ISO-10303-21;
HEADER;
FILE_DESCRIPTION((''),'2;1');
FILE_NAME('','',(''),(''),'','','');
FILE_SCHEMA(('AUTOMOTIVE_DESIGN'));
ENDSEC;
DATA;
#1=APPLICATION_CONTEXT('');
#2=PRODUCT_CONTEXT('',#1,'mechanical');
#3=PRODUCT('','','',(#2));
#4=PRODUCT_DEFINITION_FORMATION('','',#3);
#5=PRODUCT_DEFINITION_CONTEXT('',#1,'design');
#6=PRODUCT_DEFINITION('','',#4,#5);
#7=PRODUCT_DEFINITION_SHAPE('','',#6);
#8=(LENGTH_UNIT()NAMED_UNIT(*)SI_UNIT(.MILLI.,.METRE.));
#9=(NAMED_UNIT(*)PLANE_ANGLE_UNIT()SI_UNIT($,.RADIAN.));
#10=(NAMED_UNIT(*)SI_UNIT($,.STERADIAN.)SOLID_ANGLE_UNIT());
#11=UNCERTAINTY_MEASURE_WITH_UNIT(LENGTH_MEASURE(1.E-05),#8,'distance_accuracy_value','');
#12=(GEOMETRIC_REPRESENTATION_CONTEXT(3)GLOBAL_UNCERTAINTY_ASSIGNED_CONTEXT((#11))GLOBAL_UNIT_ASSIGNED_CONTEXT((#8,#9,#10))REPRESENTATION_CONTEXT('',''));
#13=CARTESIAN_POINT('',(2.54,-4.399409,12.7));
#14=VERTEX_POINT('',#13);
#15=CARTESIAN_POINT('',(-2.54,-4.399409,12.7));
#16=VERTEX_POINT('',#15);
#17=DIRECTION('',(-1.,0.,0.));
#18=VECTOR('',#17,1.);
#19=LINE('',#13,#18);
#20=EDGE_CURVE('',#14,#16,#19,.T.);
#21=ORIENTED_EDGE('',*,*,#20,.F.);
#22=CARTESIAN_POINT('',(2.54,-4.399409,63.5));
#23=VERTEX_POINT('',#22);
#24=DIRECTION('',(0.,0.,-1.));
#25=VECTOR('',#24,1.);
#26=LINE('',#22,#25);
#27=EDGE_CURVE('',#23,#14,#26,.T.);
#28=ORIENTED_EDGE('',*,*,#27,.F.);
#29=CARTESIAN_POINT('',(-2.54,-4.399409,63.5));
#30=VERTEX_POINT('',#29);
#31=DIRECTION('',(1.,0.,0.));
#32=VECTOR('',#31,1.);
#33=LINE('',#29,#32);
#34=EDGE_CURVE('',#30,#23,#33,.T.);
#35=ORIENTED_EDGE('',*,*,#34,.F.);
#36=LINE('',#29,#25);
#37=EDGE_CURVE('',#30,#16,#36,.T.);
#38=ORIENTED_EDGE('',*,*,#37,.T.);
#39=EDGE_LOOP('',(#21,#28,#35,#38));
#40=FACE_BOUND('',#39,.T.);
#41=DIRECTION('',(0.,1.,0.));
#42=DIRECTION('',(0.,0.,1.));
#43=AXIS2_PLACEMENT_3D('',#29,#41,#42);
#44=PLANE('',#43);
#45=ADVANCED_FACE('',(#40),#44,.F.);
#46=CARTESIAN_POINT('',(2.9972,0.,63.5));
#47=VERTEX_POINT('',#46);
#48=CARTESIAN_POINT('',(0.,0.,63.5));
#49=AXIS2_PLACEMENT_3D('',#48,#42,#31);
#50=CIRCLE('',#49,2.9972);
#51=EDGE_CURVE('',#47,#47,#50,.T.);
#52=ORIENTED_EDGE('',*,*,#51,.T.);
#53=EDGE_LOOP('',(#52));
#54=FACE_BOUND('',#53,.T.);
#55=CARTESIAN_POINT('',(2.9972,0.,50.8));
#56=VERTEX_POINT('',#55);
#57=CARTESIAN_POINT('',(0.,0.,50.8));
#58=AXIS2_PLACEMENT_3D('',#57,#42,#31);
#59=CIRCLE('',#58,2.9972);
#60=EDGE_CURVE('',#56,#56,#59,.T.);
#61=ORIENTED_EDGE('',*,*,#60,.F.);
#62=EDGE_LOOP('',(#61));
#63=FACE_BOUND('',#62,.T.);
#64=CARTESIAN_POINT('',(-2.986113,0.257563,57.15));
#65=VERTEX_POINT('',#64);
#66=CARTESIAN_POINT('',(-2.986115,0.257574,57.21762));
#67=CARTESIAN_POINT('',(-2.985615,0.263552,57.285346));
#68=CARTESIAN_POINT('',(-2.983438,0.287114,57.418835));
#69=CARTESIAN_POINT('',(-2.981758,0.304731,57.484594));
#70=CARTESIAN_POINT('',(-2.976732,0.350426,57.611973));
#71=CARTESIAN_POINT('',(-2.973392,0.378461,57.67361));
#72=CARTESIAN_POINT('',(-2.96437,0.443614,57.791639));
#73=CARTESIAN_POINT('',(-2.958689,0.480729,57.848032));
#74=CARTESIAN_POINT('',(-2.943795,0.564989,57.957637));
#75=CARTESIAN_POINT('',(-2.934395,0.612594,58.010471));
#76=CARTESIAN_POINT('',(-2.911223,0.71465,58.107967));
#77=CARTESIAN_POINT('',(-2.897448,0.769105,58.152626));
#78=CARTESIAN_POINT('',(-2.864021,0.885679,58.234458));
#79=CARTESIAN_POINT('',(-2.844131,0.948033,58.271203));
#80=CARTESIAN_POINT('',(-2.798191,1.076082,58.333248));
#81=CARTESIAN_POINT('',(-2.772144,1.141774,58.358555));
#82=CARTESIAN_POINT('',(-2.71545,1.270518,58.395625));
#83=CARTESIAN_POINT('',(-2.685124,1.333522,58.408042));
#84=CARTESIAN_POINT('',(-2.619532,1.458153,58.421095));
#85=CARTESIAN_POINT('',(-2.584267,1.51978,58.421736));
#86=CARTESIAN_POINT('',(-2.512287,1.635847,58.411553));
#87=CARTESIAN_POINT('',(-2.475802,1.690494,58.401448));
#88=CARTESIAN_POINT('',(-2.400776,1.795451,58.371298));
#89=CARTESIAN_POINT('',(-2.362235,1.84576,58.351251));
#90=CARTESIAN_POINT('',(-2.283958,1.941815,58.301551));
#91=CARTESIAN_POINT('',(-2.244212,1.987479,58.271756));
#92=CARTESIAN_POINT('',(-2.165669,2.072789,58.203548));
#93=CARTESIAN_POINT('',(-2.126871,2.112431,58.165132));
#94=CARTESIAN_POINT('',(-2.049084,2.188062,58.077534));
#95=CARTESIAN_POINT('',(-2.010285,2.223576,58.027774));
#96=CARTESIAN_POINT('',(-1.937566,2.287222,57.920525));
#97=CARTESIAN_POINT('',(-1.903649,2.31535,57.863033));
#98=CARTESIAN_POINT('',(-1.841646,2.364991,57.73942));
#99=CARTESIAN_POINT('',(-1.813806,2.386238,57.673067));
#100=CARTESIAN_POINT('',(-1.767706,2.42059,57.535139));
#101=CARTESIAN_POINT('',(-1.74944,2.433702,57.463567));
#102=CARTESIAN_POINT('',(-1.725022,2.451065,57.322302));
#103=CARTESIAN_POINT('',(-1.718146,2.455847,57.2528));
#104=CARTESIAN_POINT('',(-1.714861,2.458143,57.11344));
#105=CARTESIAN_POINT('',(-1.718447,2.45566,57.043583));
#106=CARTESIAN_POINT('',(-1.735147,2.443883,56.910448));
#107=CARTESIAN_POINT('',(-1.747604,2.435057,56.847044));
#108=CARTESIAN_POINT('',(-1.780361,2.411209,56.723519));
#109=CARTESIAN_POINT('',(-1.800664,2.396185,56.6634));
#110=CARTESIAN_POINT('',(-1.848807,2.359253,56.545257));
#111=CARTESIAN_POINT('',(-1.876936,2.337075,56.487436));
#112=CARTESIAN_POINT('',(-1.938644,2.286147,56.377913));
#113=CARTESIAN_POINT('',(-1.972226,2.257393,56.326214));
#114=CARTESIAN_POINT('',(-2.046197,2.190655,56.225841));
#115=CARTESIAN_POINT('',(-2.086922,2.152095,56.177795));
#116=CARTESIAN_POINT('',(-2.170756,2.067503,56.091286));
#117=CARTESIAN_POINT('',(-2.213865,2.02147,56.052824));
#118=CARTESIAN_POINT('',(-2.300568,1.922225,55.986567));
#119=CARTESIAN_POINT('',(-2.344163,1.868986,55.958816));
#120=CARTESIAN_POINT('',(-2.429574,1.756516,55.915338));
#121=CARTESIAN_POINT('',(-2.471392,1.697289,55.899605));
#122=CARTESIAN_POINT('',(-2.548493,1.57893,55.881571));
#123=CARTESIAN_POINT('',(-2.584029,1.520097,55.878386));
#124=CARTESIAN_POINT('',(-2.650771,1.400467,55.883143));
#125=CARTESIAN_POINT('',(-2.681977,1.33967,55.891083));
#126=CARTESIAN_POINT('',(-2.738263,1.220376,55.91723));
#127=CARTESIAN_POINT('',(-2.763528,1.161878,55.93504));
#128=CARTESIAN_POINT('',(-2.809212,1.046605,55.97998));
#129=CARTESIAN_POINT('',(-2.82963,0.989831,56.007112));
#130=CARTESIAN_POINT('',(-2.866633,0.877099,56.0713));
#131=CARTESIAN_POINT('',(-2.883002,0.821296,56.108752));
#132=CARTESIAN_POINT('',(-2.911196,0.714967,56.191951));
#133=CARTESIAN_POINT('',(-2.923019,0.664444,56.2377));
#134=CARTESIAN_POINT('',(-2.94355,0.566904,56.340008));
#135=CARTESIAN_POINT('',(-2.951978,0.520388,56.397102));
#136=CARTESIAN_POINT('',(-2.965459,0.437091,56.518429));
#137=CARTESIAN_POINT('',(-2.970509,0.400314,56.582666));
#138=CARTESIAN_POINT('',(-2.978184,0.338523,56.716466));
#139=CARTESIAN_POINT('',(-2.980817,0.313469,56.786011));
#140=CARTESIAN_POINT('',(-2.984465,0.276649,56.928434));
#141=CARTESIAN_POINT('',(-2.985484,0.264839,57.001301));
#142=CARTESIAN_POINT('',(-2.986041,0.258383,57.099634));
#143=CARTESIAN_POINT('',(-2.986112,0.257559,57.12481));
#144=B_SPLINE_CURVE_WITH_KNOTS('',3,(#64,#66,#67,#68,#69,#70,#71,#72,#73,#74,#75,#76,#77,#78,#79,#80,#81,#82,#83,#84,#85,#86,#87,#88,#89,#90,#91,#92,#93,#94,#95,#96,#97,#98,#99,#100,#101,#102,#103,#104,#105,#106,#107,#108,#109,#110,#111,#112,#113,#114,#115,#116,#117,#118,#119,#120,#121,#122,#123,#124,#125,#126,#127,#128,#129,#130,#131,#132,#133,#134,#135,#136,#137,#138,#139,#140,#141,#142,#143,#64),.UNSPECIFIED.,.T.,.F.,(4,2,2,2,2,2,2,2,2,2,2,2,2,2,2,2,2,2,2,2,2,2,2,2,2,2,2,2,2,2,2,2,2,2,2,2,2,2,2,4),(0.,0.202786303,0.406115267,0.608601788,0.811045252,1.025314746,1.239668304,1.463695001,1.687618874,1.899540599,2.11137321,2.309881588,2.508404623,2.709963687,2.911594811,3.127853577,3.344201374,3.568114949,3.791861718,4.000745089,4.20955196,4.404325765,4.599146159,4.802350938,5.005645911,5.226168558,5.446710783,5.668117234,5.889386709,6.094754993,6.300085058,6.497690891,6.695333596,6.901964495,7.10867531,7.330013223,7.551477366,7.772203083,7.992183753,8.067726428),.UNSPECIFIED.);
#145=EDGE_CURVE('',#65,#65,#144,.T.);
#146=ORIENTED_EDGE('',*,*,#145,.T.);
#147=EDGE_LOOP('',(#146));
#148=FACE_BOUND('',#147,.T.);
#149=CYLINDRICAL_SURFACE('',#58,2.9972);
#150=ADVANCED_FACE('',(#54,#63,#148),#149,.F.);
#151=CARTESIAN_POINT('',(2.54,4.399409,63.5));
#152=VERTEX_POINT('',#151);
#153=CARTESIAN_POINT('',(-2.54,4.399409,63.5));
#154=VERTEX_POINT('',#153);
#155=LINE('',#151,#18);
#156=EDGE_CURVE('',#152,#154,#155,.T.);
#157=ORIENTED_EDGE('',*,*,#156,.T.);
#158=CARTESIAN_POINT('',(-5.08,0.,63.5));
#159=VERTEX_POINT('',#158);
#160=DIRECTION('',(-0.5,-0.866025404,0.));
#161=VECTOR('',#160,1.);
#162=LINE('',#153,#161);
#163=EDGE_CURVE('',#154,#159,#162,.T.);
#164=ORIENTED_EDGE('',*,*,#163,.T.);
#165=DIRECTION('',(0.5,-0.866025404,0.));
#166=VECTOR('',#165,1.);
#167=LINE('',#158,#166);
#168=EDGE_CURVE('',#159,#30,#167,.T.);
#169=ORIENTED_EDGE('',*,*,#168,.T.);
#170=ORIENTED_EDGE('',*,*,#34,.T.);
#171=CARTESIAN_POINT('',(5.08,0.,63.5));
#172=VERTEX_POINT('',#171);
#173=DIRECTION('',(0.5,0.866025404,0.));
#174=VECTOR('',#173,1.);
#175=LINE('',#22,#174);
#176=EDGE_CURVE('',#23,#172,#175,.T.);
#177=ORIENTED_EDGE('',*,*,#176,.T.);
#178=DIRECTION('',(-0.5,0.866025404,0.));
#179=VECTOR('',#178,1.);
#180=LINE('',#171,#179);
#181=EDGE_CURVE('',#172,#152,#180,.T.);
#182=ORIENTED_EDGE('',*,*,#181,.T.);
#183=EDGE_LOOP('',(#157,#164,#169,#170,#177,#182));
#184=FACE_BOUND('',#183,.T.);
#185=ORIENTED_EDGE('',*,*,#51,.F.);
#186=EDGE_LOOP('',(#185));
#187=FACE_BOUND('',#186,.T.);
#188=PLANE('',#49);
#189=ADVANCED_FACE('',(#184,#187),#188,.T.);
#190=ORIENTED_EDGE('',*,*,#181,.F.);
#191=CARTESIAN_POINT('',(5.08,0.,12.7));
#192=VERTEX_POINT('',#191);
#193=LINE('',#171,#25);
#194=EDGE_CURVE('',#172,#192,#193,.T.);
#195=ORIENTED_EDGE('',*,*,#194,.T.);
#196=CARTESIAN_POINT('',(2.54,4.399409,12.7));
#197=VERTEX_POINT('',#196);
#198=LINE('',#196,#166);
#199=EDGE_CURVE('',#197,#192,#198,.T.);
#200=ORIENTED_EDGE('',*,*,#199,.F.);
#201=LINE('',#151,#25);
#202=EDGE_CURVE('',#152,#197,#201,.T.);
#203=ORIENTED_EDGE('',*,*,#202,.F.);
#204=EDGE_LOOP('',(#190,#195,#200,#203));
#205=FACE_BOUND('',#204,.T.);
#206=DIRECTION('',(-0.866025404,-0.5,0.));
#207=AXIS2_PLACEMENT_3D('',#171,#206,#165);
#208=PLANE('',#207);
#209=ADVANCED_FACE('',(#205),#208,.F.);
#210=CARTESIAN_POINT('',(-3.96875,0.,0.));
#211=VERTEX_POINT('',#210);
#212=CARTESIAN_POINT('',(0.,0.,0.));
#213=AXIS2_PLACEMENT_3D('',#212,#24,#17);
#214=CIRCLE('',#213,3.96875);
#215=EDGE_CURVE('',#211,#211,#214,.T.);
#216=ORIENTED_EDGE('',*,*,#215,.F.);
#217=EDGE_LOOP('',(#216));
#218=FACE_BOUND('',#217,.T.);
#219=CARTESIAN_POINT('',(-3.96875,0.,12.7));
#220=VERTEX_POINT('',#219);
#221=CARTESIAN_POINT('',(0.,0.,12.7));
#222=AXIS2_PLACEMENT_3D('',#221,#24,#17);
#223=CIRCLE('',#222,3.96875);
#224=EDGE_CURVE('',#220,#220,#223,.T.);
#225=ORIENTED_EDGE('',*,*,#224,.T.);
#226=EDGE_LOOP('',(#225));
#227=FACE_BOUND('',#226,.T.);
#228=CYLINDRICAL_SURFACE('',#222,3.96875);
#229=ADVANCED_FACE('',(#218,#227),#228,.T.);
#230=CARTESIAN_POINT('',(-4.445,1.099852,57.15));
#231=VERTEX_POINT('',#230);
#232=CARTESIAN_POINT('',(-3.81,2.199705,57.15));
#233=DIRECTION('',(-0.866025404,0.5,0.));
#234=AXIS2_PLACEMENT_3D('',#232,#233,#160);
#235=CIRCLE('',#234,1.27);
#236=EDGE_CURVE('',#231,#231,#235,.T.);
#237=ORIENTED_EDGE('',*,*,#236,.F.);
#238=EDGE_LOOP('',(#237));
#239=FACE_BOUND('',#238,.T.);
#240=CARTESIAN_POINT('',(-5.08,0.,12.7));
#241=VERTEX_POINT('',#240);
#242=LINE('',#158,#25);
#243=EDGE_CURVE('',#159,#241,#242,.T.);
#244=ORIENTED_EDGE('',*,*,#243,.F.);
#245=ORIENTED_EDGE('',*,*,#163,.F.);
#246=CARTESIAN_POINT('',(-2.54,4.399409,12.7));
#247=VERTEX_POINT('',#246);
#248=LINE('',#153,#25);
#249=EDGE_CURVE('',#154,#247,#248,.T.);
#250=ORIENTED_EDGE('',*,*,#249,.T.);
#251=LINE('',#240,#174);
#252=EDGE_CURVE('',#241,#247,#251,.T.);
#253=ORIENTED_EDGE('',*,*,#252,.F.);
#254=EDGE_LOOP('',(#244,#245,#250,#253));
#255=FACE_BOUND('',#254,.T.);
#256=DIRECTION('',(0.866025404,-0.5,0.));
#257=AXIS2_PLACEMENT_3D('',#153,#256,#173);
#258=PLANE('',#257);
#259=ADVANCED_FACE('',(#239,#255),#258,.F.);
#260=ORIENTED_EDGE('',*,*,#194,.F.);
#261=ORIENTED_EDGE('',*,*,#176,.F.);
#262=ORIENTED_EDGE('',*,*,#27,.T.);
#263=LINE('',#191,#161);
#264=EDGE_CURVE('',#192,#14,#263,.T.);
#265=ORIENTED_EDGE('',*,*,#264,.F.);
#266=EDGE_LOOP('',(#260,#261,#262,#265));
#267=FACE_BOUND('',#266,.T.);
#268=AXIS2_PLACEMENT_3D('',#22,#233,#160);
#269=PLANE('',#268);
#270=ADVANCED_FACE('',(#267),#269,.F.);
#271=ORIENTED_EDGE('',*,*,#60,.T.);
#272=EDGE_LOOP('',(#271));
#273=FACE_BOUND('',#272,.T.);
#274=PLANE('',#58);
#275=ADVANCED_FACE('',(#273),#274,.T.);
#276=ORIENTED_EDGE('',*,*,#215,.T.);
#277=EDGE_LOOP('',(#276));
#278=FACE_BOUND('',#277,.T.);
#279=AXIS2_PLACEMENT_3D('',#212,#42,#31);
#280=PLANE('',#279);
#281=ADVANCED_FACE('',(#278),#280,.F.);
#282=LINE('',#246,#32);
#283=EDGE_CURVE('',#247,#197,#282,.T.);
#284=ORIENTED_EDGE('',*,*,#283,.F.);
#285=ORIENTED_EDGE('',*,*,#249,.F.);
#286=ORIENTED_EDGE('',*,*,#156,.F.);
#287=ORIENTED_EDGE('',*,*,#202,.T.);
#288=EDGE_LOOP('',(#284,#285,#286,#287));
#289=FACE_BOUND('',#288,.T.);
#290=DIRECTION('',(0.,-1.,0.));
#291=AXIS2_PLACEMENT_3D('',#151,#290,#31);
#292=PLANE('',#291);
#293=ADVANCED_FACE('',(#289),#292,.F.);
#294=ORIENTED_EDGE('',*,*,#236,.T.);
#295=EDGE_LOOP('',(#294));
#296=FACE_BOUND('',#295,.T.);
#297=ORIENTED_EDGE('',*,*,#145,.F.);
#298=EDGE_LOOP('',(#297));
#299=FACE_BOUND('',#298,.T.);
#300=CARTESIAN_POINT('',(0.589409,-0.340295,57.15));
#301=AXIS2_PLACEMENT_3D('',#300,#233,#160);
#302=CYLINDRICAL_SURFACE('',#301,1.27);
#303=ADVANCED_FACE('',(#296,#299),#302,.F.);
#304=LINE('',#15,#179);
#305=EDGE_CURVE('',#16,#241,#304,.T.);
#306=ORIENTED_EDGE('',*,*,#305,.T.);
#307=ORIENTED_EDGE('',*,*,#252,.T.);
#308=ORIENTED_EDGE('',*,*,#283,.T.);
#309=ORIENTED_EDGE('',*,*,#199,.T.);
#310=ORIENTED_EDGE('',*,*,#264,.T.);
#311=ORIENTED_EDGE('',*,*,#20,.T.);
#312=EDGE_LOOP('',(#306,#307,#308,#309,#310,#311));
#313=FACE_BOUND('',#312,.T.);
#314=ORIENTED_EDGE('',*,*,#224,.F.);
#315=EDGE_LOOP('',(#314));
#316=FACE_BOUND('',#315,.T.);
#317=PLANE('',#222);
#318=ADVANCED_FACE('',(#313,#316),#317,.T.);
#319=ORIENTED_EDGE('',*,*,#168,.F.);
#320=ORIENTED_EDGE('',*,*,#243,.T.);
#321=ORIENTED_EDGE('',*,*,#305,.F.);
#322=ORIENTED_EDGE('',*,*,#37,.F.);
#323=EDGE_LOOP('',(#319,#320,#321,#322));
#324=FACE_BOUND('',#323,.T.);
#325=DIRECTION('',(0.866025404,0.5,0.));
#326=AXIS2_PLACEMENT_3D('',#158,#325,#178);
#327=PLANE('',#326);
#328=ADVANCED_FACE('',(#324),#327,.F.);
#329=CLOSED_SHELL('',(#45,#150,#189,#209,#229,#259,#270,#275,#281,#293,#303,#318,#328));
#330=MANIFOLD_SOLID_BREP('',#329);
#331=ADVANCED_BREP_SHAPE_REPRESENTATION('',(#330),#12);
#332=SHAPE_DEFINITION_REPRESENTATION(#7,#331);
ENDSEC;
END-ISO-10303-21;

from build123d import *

# Parameters (mm, degrees)
BOSS_EXTRUDE1_DEPTH = 63.5
SKETCH2_R           = 2.9972
CUT_EXTRUDE1_DEPTH  = 12.7
SKETCH3_R           = 3.96875
CUT_EXTRUDE2_DEPTH  = 12.7
SKETCH4_R           = 1.27
CUT_EXTRUDE3_DEPTH  = 5.08


with BuildPart() as part:
    # Sketch1 → Boss-Extrude1 (new body)
    with BuildSketch(Plane.XY):
        Polygon((5.08, 0), (2.54, 4.399409051), (-2.54, 4.399409051), (-5.08, 0), (-2.54, -4.399409051), (2.54, -4.399409051), align=None)
    extrude(amount=BOSS_EXTRUDE1_DEPTH)

    # Sketch2 → Cut-Extrude1 (cut)
    with BuildSketch(Plane.XY.offset(63.5)):
        Circle(SKETCH2_R)
    extrude(amount=-CUT_EXTRUDE1_DEPTH, mode=Mode.SUBTRACT)

    # Sketch3 → Cut-Extrude2 (cut)
    with BuildSketch(Plane(origin=(0, 0, 0), x_dir=(-1, 0, 0), z_dir=(0, 0, -1))):
        Polygon((5.08, 0), (2.54, 4.399409051), (-2.54, 4.399409051), (-5.08, 0), (-2.54, -4.399409051), (2.54, -4.399409051), align=None)
        Circle(SKETCH3_R, mode=Mode.SUBTRACT)
    extrude(amount=-CUT_EXTRUDE2_DEPTH, mode=Mode.SUBTRACT)

    # Sketch4 → Cut-Extrude3 (cut)
    with BuildSketch(Plane(origin=(-3.81, 2.199704526, 0), x_dir=(0, 0, 1), z_dir=(-0.8660254037844385, 0.5000000000000004, 0))):
        with Locations(Location((57.15, 0, 0), (0, 0, 270))):
            Circle(SKETCH4_R)
    extrude(amount=-CUT_EXTRUDE3_DEPTH, mode=Mode.SUBTRACT)


solid = part.part
